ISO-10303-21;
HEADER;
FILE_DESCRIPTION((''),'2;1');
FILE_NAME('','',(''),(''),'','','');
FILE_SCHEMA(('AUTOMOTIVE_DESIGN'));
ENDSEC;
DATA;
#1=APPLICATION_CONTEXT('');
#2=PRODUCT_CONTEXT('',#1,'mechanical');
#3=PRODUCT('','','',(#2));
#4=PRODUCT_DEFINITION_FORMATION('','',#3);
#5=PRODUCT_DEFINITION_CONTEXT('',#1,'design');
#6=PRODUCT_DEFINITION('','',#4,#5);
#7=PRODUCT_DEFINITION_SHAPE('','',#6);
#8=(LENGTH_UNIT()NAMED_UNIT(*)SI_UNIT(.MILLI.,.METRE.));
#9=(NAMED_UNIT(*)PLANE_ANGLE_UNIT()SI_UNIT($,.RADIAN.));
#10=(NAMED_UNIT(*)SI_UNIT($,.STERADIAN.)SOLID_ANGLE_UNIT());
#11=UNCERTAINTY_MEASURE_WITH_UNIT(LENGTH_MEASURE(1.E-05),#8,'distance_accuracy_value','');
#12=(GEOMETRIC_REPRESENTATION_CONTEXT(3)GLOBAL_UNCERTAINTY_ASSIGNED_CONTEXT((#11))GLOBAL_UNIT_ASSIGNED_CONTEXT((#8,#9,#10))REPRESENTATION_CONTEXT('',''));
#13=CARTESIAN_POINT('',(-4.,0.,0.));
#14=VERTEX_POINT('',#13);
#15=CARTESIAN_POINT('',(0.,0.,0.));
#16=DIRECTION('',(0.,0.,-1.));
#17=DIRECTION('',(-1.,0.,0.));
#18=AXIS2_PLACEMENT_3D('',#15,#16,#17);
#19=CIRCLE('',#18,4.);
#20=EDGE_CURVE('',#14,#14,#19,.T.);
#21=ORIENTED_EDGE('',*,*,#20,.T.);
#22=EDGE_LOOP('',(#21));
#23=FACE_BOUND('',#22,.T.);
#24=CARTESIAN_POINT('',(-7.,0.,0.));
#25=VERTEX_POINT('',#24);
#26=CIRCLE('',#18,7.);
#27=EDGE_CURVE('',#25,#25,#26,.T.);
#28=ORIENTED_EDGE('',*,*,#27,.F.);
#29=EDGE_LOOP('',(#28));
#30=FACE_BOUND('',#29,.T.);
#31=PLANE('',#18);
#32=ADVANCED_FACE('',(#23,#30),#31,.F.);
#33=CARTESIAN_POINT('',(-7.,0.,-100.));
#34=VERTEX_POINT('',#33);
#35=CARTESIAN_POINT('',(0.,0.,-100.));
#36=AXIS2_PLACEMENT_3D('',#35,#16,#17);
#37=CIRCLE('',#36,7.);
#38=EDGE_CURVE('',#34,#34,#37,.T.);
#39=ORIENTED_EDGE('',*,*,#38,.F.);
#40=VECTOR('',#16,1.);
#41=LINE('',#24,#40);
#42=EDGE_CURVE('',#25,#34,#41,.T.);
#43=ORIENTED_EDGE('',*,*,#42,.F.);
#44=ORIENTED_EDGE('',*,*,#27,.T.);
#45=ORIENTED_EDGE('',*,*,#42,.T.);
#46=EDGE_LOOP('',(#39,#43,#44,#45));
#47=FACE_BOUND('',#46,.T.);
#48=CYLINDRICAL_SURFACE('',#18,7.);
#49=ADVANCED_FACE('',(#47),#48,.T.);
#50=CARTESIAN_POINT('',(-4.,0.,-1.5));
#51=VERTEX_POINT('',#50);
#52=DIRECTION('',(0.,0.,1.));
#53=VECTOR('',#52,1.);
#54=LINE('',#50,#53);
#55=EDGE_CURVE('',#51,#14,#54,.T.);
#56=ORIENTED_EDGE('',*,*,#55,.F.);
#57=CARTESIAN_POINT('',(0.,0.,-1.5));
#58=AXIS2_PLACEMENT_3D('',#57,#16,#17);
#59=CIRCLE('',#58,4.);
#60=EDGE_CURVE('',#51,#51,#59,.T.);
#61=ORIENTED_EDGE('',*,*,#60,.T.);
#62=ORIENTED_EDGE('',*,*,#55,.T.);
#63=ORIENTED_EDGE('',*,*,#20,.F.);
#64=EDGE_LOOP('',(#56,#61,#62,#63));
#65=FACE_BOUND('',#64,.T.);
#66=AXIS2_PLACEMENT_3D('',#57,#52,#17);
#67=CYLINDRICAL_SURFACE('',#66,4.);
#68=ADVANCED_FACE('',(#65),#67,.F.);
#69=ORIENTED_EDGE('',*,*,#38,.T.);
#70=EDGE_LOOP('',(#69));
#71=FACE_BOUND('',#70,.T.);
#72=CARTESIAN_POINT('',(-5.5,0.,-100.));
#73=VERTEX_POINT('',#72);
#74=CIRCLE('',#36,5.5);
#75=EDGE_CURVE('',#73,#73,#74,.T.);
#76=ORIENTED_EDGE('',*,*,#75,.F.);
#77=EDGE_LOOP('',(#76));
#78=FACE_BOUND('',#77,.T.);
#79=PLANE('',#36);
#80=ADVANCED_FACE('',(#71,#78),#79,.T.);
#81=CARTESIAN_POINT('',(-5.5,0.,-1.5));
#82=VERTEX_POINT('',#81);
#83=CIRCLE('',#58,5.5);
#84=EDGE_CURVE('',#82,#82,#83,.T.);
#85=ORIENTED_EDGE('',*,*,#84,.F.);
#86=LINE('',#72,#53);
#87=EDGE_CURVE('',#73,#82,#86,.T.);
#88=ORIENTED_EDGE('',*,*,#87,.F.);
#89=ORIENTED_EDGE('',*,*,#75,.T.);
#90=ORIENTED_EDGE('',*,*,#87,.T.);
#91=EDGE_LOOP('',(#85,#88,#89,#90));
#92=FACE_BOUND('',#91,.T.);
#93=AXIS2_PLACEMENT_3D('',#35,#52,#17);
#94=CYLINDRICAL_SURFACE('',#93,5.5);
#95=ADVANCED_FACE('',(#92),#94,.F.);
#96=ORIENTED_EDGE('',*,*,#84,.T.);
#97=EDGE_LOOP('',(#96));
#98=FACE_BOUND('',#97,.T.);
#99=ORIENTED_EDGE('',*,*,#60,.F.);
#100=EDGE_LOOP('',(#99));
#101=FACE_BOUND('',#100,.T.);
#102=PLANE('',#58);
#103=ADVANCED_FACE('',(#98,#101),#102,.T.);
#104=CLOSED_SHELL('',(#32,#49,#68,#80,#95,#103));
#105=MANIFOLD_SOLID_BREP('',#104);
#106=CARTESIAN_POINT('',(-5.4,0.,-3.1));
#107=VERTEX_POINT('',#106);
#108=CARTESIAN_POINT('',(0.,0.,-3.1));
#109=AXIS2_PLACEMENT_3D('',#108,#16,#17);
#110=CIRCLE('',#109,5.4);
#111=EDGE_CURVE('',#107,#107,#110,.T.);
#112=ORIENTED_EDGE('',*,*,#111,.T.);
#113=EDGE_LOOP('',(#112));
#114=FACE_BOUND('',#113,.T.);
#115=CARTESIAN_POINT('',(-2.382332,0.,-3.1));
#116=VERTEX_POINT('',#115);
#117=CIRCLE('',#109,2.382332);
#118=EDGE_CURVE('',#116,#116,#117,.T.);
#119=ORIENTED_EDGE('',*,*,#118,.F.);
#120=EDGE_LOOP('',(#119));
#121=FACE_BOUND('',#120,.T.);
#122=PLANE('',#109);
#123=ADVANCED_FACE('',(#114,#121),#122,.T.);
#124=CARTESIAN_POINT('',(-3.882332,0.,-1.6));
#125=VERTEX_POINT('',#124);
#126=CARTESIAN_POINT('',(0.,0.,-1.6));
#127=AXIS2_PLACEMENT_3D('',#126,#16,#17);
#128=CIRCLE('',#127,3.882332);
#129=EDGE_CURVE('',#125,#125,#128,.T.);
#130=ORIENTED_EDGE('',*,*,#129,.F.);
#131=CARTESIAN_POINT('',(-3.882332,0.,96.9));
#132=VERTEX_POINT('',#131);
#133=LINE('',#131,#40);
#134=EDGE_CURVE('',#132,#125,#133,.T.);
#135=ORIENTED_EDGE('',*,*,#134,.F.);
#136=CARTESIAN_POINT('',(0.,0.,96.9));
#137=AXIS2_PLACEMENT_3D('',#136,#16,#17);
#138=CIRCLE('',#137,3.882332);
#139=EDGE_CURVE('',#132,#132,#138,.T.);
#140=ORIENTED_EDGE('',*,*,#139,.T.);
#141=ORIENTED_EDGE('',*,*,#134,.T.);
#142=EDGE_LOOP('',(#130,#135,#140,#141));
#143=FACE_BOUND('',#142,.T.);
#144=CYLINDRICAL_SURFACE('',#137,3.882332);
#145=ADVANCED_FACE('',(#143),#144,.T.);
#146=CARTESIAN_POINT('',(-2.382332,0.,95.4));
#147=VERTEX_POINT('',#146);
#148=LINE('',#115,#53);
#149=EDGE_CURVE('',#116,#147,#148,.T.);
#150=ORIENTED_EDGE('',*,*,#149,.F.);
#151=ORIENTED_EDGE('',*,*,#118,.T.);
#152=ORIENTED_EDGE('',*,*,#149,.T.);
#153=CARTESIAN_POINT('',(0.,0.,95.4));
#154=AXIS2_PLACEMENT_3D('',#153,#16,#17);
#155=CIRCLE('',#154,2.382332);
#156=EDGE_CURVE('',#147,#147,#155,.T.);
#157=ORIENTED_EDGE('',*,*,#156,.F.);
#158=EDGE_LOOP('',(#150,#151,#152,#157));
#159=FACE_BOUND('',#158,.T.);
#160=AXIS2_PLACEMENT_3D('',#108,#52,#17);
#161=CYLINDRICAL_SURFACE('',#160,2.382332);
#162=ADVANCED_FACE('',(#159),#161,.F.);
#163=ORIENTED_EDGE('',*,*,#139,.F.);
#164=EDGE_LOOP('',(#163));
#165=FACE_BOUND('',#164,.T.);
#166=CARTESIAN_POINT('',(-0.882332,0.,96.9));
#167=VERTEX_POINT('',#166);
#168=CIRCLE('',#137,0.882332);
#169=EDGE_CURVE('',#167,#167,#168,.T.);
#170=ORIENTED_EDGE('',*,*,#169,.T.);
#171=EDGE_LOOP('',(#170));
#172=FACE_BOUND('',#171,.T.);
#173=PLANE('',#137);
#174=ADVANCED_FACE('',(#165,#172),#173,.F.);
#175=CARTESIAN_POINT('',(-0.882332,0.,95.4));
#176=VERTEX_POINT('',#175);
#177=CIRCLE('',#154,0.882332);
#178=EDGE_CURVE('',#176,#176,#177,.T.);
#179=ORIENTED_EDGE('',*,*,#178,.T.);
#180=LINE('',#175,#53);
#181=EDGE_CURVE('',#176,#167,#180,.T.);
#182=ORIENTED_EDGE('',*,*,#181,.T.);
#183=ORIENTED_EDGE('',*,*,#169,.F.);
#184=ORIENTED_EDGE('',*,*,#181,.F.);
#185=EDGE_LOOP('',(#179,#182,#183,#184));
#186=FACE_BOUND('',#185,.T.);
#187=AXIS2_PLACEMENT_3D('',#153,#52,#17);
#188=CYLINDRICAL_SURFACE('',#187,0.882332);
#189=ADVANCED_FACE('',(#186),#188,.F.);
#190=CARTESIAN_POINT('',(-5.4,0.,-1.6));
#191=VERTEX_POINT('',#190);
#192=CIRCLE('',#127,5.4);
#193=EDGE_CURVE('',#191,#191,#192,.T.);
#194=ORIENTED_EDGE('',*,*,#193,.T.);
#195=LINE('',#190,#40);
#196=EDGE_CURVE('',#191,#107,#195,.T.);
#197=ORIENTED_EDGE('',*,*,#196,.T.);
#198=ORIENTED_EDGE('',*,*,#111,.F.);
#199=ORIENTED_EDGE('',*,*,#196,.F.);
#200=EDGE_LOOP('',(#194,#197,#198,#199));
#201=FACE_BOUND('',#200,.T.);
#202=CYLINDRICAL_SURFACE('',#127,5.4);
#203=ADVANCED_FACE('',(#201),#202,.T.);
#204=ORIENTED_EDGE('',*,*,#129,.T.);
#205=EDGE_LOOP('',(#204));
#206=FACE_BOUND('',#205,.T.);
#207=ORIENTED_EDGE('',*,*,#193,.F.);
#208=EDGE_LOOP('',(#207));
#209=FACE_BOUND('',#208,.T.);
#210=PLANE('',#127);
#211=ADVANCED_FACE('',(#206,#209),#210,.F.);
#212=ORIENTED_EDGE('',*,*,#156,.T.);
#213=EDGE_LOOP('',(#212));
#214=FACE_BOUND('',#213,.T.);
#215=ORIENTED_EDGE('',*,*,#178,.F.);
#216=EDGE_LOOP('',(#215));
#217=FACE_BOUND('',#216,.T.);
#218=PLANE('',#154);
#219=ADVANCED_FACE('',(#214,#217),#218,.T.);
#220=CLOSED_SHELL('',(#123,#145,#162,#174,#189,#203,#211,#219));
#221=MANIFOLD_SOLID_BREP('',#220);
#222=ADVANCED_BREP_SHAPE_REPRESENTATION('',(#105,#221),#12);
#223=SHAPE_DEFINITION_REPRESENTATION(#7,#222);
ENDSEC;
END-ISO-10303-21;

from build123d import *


with BuildPart() as f1:
    # F0 (on Front) → F1 (revolve)
    with BuildSketch(Plane.XZ):
        Polygon((-5.4, -3.1), (-3.882332, -3.1), (-2.382332, -3.1), (-2.382332, 95.4), (-0.882332, 95.4), (-0.882332, 96.9), (-3.882332, 96.9), (-3.882332, -1.6), (-5.4, -1.6), align=None)
        Polygon((-4, 0), (-7, 0), (-7, -100), (-5.5, -100), (-5.5, -1.5), (-4, -1.5), align=None)
    revolve(axis=Axis((0, 0, -57.572339), (0, 0, -1)))


solid = f1.part
